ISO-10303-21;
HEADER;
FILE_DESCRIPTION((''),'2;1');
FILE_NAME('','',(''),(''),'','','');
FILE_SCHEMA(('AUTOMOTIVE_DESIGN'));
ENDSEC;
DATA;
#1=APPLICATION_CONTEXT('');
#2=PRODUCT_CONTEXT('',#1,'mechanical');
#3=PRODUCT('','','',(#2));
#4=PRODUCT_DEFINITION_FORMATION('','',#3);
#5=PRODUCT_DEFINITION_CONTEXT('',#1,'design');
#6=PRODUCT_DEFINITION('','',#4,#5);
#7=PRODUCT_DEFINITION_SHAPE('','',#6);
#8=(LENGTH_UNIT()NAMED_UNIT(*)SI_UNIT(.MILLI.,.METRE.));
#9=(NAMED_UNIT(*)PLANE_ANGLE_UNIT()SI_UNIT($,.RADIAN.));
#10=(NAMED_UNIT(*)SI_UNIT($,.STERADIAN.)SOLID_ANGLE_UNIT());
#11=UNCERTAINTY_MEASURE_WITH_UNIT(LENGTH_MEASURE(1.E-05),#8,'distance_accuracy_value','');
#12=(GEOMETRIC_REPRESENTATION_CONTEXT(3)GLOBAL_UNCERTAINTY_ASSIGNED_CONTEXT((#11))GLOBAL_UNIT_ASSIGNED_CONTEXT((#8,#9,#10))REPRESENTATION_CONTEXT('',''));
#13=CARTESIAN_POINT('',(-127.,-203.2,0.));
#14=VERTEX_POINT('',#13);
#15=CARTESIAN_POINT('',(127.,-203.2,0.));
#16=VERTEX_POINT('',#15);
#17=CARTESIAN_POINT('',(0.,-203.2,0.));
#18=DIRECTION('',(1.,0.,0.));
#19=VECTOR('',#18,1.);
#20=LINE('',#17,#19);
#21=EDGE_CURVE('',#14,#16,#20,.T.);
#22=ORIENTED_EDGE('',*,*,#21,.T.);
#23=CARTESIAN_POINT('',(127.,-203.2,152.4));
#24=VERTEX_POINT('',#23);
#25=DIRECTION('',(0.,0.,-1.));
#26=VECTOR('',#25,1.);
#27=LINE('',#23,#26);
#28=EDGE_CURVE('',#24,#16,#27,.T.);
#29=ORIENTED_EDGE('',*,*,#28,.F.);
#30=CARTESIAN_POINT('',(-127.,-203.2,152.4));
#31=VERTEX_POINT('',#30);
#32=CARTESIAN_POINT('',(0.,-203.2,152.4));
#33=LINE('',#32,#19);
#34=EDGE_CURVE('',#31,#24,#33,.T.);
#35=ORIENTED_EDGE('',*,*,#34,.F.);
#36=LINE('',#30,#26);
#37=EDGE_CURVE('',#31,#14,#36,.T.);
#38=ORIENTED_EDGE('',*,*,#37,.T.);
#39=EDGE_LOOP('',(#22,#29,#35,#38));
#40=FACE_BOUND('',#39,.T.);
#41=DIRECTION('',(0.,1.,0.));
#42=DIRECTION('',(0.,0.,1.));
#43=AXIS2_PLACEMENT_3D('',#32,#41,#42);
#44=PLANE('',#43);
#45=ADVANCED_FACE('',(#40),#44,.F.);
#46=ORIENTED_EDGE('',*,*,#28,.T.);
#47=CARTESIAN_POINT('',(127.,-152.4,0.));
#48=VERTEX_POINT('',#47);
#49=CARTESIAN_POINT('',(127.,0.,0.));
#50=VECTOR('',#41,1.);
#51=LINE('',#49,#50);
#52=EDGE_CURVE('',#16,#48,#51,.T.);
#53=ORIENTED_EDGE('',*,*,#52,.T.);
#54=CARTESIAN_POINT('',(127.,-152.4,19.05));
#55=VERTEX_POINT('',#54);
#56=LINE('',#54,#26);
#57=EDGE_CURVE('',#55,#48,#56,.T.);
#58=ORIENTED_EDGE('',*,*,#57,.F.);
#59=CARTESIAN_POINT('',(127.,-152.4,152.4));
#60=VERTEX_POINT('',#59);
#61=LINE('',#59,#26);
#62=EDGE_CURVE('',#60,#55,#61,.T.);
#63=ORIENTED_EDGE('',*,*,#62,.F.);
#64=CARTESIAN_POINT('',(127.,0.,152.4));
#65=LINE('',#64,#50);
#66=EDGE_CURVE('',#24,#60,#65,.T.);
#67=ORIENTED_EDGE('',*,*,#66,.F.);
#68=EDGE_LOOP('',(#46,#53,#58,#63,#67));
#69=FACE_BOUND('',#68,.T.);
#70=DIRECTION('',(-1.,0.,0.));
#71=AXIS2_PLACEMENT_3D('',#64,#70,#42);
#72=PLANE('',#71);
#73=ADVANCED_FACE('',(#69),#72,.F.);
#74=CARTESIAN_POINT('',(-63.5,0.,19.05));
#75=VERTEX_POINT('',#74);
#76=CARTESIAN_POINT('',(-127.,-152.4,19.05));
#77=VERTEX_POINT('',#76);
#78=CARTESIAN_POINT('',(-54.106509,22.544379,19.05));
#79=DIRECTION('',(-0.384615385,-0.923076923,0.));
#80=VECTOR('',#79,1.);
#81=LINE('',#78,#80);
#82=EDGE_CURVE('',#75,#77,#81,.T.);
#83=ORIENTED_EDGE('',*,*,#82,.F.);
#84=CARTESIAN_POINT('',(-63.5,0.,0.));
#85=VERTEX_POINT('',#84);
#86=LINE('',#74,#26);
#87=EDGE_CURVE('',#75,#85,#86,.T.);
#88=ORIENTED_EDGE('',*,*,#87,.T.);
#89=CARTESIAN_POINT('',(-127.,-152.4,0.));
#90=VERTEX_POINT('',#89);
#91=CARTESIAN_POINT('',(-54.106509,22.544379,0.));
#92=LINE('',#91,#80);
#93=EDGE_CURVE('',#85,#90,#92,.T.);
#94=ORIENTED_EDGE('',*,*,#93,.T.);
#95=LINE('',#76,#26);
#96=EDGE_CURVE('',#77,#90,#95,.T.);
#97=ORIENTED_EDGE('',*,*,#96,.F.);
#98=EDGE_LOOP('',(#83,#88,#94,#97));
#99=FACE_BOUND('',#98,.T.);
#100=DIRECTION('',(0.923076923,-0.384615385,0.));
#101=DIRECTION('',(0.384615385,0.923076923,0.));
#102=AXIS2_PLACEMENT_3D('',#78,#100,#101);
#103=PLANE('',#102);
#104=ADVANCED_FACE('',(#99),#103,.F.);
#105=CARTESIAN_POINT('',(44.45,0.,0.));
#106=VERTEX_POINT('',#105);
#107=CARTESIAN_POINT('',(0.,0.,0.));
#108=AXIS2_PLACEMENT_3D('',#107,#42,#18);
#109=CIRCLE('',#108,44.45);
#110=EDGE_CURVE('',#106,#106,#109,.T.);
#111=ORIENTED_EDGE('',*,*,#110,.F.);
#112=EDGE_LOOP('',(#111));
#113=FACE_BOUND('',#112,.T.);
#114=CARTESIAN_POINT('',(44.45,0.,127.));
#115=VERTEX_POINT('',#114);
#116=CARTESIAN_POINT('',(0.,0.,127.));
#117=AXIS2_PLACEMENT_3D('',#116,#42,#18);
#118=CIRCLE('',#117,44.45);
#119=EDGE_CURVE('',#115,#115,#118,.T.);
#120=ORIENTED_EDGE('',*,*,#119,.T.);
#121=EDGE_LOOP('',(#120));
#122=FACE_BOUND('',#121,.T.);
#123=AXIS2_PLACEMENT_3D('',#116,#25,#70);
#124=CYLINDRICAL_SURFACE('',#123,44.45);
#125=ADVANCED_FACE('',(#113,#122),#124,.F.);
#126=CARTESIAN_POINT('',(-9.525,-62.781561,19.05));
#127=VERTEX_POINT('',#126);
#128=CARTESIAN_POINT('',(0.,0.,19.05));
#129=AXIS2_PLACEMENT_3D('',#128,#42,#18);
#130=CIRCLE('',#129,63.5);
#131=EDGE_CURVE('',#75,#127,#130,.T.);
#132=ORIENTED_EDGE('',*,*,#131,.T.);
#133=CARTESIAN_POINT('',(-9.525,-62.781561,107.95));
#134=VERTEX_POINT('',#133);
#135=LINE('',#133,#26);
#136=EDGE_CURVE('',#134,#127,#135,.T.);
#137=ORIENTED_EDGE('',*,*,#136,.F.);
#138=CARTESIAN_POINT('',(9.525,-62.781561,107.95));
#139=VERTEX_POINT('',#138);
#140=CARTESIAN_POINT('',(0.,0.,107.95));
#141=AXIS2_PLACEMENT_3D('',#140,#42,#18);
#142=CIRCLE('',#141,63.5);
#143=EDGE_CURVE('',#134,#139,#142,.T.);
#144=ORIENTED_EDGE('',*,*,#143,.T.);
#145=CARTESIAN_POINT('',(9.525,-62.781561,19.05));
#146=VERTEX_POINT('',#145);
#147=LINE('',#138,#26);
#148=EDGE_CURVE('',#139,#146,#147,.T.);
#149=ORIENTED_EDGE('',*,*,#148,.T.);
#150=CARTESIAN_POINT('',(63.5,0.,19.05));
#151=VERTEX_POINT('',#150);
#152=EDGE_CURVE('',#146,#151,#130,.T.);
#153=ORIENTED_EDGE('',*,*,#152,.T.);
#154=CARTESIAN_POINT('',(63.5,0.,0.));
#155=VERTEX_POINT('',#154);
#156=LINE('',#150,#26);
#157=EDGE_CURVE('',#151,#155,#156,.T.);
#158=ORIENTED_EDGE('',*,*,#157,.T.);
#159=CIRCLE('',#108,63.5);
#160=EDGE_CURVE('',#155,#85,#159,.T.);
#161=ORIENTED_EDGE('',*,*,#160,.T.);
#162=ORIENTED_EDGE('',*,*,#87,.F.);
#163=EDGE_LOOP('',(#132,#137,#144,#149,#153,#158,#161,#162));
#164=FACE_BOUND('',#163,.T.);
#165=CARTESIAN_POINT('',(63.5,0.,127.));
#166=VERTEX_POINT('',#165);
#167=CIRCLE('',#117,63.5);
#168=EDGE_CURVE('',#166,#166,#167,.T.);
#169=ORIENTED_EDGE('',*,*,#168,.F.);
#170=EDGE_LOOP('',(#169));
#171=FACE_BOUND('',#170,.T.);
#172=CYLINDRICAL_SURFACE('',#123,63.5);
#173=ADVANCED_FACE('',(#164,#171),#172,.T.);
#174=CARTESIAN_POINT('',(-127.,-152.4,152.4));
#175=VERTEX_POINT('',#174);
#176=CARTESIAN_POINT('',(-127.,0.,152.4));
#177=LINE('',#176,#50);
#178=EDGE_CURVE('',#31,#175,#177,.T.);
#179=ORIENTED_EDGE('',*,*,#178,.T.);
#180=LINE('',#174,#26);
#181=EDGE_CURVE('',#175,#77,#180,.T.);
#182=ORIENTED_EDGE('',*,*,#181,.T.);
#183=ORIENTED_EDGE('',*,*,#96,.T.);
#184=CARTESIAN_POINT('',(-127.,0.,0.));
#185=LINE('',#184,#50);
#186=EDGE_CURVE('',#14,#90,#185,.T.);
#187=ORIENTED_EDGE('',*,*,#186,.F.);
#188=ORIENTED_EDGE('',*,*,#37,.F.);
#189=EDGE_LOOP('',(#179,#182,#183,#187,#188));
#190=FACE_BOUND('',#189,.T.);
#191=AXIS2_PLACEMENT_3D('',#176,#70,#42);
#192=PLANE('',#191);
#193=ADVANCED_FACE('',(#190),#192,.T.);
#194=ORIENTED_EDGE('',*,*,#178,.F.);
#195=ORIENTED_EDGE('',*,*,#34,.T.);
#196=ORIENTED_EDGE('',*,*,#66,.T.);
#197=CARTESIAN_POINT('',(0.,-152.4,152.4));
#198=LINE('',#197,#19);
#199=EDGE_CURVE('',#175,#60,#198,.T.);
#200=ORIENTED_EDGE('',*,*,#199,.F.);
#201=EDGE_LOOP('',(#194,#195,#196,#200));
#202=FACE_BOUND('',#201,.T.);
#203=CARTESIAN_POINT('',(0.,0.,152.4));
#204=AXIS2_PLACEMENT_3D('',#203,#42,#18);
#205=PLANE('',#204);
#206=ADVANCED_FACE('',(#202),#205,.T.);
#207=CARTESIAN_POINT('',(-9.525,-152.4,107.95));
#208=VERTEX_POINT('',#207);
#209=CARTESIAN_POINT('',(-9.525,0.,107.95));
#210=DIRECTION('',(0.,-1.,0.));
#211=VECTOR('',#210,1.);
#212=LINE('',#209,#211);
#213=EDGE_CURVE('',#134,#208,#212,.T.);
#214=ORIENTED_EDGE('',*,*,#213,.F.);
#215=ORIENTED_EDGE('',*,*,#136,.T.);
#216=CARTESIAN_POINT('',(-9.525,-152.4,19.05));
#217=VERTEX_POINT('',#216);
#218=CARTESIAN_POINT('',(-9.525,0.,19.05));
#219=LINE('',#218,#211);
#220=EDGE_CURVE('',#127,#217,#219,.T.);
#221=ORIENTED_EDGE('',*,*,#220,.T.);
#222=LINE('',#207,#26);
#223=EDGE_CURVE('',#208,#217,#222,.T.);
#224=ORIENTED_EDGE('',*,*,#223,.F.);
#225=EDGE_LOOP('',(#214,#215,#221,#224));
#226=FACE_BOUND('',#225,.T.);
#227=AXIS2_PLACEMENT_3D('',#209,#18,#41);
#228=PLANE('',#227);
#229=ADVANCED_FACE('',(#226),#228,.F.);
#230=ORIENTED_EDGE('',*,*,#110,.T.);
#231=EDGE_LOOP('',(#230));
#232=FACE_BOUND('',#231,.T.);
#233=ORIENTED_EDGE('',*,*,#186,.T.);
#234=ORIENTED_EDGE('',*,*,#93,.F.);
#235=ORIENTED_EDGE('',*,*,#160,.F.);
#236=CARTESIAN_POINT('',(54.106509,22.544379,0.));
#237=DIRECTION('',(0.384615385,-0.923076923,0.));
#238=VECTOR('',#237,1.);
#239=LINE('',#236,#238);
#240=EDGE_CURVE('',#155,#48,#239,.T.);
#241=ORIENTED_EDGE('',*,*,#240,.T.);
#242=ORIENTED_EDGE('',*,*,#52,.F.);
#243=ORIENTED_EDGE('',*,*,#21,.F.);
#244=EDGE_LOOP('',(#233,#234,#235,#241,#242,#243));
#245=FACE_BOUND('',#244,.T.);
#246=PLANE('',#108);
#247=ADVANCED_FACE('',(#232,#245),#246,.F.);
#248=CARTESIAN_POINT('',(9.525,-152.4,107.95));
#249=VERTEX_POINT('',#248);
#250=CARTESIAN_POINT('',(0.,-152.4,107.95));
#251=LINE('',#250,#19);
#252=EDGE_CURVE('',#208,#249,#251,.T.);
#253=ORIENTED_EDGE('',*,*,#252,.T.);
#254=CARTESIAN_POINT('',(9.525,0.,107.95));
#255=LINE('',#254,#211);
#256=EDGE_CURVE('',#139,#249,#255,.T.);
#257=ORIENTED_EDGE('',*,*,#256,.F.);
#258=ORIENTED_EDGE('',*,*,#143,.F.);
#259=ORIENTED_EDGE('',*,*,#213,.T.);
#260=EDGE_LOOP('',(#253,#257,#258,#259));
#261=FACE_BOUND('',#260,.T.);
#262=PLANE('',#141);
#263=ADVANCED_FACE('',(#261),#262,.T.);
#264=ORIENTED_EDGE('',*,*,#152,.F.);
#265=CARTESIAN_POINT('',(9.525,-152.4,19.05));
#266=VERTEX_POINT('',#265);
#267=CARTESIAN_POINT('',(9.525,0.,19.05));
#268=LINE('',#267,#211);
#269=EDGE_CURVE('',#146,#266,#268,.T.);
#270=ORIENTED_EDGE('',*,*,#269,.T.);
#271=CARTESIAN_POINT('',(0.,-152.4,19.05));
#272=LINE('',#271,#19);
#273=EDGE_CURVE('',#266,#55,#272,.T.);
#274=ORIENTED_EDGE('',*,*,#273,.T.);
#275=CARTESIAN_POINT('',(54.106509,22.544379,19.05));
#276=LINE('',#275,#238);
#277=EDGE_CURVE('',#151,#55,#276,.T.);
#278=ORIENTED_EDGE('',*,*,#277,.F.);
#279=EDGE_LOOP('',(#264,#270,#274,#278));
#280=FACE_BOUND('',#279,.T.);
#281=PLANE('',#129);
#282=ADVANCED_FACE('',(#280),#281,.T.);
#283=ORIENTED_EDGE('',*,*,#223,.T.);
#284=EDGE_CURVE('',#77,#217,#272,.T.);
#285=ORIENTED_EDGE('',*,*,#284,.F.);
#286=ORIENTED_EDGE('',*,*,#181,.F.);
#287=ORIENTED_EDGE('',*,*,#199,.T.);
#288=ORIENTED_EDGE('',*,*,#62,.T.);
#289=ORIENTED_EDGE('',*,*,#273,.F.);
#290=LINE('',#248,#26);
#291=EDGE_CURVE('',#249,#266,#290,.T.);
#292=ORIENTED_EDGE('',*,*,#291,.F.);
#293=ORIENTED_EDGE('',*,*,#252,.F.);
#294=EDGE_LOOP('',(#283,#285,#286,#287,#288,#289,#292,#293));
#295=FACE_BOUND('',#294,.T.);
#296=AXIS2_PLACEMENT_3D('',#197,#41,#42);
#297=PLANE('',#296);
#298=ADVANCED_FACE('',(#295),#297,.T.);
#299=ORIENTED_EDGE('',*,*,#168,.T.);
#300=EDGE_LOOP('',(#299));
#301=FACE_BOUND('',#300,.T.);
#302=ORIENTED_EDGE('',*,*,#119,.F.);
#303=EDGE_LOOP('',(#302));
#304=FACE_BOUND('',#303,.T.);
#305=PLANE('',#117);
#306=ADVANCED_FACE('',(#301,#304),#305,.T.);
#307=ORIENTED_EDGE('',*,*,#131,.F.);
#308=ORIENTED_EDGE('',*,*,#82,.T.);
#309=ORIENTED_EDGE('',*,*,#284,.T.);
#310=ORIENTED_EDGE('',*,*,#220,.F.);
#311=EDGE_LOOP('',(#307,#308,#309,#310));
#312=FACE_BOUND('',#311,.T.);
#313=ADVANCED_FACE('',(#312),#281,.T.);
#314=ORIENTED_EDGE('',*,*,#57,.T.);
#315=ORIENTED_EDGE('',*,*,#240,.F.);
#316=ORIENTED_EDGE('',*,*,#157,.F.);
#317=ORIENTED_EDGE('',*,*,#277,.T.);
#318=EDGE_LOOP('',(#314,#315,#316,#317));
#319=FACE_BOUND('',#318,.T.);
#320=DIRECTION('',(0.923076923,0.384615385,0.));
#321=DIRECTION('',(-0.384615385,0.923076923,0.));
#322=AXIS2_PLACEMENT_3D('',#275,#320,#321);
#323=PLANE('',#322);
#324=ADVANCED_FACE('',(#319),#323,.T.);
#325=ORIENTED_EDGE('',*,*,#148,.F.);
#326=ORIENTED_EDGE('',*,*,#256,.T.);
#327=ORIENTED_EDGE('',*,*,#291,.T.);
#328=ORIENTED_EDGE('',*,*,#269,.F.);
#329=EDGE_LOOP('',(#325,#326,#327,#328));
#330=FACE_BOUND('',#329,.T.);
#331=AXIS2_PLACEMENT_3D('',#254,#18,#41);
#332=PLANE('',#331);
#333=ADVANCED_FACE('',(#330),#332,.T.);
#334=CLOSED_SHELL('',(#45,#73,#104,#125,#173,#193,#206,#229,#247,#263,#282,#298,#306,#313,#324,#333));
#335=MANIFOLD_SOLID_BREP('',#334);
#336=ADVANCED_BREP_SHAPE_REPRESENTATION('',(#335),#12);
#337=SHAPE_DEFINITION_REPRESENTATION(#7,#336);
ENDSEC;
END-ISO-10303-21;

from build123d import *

# Parameters (mm, degrees)
BOSS_EXTRUDE1_DEPTH = 107.95
BOSS_EXTRUDE2_DEPTH = 19.05
SKETCH1_4_R         = 44.45
BOSS_EXTRUDE3_DEPTH = 127
BOSS_EXTRUDE4_DEPTH = 152.4


with BuildPart() as part:
    # Sketch1 → Boss-Extrude1 (new body)
    with BuildSketch(Plane.XY):
        with BuildLine():
            ThreePointArc((9.525, -62.781560788), (0, -63.5), (-9.525, -62.781560788))
            Line((-9.525, -62.781560788), (-9.525, -152.4))
            Line((-9.525, -152.4), (9.525, -152.4))
            Line((9.525, -152.4), (9.525, -62.781560788))
        make_face()
    extrude(amount=BOSS_EXTRUDE1_DEPTH)

    # Sketch1<3> → Boss-Extrude2 (add)
    with BuildSketch(Plane.XY):
        with BuildLine():
            ThreePointArc((-9.525, -62.781560788), (-48.15125907, -41.396935273), (-63.5, 0))
            Line((-63.5, 0), (-127, -152.4))
            Line((-127, -152.4), (-9.525, -152.4))
            Line((-9.525, -152.4), (-9.525, -62.781560788))
        make_face()
        with BuildLine():
            Line((127, -152.4), (63.5, 0))
            ThreePointArc((63.5, 0), (48.15125907, -41.396935273), (9.525, -62.781560788))
            Line((9.525, -62.781560788), (9.525, -152.4))
            Line((9.525, -152.4), (127, -152.4))
        make_face()
    extrude(amount=BOSS_EXTRUDE2_DEPTH)

    # Sketch1<4> → Boss-Extrude3 (add)
    with BuildSketch(Plane.XY):
        with BuildLine():
            ThreePointArc((63.5, 0), (0, 63.5), (-63.5, 0))
            ThreePointArc((-63.5, 0), (-48.15125907, -41.396935273), (-9.525, -62.781560788))
            ThreePointArc((-9.525, -62.781560788), (0, -63.5), (9.525, -62.781560788))
            ThreePointArc((9.525, -62.781560788), (48.15125907, -41.396935273), (63.5, 0))
        make_face()
        Circle(SKETCH1_4_R, mode=Mode.SUBTRACT)
    extrude(amount=BOSS_EXTRUDE3_DEPTH)

    # Sketch1<5> → Boss-Extrude4 (add)
    with BuildSketch(Plane.XY):
        Polygon((-9.525, -152.4), (-127, -152.4), (-127, -203.2), (127, -203.2), (127, -152.4), (9.525, -152.4), align=None)
    extrude(amount=BOSS_EXTRUDE4_DEPTH)


solid = part.part
